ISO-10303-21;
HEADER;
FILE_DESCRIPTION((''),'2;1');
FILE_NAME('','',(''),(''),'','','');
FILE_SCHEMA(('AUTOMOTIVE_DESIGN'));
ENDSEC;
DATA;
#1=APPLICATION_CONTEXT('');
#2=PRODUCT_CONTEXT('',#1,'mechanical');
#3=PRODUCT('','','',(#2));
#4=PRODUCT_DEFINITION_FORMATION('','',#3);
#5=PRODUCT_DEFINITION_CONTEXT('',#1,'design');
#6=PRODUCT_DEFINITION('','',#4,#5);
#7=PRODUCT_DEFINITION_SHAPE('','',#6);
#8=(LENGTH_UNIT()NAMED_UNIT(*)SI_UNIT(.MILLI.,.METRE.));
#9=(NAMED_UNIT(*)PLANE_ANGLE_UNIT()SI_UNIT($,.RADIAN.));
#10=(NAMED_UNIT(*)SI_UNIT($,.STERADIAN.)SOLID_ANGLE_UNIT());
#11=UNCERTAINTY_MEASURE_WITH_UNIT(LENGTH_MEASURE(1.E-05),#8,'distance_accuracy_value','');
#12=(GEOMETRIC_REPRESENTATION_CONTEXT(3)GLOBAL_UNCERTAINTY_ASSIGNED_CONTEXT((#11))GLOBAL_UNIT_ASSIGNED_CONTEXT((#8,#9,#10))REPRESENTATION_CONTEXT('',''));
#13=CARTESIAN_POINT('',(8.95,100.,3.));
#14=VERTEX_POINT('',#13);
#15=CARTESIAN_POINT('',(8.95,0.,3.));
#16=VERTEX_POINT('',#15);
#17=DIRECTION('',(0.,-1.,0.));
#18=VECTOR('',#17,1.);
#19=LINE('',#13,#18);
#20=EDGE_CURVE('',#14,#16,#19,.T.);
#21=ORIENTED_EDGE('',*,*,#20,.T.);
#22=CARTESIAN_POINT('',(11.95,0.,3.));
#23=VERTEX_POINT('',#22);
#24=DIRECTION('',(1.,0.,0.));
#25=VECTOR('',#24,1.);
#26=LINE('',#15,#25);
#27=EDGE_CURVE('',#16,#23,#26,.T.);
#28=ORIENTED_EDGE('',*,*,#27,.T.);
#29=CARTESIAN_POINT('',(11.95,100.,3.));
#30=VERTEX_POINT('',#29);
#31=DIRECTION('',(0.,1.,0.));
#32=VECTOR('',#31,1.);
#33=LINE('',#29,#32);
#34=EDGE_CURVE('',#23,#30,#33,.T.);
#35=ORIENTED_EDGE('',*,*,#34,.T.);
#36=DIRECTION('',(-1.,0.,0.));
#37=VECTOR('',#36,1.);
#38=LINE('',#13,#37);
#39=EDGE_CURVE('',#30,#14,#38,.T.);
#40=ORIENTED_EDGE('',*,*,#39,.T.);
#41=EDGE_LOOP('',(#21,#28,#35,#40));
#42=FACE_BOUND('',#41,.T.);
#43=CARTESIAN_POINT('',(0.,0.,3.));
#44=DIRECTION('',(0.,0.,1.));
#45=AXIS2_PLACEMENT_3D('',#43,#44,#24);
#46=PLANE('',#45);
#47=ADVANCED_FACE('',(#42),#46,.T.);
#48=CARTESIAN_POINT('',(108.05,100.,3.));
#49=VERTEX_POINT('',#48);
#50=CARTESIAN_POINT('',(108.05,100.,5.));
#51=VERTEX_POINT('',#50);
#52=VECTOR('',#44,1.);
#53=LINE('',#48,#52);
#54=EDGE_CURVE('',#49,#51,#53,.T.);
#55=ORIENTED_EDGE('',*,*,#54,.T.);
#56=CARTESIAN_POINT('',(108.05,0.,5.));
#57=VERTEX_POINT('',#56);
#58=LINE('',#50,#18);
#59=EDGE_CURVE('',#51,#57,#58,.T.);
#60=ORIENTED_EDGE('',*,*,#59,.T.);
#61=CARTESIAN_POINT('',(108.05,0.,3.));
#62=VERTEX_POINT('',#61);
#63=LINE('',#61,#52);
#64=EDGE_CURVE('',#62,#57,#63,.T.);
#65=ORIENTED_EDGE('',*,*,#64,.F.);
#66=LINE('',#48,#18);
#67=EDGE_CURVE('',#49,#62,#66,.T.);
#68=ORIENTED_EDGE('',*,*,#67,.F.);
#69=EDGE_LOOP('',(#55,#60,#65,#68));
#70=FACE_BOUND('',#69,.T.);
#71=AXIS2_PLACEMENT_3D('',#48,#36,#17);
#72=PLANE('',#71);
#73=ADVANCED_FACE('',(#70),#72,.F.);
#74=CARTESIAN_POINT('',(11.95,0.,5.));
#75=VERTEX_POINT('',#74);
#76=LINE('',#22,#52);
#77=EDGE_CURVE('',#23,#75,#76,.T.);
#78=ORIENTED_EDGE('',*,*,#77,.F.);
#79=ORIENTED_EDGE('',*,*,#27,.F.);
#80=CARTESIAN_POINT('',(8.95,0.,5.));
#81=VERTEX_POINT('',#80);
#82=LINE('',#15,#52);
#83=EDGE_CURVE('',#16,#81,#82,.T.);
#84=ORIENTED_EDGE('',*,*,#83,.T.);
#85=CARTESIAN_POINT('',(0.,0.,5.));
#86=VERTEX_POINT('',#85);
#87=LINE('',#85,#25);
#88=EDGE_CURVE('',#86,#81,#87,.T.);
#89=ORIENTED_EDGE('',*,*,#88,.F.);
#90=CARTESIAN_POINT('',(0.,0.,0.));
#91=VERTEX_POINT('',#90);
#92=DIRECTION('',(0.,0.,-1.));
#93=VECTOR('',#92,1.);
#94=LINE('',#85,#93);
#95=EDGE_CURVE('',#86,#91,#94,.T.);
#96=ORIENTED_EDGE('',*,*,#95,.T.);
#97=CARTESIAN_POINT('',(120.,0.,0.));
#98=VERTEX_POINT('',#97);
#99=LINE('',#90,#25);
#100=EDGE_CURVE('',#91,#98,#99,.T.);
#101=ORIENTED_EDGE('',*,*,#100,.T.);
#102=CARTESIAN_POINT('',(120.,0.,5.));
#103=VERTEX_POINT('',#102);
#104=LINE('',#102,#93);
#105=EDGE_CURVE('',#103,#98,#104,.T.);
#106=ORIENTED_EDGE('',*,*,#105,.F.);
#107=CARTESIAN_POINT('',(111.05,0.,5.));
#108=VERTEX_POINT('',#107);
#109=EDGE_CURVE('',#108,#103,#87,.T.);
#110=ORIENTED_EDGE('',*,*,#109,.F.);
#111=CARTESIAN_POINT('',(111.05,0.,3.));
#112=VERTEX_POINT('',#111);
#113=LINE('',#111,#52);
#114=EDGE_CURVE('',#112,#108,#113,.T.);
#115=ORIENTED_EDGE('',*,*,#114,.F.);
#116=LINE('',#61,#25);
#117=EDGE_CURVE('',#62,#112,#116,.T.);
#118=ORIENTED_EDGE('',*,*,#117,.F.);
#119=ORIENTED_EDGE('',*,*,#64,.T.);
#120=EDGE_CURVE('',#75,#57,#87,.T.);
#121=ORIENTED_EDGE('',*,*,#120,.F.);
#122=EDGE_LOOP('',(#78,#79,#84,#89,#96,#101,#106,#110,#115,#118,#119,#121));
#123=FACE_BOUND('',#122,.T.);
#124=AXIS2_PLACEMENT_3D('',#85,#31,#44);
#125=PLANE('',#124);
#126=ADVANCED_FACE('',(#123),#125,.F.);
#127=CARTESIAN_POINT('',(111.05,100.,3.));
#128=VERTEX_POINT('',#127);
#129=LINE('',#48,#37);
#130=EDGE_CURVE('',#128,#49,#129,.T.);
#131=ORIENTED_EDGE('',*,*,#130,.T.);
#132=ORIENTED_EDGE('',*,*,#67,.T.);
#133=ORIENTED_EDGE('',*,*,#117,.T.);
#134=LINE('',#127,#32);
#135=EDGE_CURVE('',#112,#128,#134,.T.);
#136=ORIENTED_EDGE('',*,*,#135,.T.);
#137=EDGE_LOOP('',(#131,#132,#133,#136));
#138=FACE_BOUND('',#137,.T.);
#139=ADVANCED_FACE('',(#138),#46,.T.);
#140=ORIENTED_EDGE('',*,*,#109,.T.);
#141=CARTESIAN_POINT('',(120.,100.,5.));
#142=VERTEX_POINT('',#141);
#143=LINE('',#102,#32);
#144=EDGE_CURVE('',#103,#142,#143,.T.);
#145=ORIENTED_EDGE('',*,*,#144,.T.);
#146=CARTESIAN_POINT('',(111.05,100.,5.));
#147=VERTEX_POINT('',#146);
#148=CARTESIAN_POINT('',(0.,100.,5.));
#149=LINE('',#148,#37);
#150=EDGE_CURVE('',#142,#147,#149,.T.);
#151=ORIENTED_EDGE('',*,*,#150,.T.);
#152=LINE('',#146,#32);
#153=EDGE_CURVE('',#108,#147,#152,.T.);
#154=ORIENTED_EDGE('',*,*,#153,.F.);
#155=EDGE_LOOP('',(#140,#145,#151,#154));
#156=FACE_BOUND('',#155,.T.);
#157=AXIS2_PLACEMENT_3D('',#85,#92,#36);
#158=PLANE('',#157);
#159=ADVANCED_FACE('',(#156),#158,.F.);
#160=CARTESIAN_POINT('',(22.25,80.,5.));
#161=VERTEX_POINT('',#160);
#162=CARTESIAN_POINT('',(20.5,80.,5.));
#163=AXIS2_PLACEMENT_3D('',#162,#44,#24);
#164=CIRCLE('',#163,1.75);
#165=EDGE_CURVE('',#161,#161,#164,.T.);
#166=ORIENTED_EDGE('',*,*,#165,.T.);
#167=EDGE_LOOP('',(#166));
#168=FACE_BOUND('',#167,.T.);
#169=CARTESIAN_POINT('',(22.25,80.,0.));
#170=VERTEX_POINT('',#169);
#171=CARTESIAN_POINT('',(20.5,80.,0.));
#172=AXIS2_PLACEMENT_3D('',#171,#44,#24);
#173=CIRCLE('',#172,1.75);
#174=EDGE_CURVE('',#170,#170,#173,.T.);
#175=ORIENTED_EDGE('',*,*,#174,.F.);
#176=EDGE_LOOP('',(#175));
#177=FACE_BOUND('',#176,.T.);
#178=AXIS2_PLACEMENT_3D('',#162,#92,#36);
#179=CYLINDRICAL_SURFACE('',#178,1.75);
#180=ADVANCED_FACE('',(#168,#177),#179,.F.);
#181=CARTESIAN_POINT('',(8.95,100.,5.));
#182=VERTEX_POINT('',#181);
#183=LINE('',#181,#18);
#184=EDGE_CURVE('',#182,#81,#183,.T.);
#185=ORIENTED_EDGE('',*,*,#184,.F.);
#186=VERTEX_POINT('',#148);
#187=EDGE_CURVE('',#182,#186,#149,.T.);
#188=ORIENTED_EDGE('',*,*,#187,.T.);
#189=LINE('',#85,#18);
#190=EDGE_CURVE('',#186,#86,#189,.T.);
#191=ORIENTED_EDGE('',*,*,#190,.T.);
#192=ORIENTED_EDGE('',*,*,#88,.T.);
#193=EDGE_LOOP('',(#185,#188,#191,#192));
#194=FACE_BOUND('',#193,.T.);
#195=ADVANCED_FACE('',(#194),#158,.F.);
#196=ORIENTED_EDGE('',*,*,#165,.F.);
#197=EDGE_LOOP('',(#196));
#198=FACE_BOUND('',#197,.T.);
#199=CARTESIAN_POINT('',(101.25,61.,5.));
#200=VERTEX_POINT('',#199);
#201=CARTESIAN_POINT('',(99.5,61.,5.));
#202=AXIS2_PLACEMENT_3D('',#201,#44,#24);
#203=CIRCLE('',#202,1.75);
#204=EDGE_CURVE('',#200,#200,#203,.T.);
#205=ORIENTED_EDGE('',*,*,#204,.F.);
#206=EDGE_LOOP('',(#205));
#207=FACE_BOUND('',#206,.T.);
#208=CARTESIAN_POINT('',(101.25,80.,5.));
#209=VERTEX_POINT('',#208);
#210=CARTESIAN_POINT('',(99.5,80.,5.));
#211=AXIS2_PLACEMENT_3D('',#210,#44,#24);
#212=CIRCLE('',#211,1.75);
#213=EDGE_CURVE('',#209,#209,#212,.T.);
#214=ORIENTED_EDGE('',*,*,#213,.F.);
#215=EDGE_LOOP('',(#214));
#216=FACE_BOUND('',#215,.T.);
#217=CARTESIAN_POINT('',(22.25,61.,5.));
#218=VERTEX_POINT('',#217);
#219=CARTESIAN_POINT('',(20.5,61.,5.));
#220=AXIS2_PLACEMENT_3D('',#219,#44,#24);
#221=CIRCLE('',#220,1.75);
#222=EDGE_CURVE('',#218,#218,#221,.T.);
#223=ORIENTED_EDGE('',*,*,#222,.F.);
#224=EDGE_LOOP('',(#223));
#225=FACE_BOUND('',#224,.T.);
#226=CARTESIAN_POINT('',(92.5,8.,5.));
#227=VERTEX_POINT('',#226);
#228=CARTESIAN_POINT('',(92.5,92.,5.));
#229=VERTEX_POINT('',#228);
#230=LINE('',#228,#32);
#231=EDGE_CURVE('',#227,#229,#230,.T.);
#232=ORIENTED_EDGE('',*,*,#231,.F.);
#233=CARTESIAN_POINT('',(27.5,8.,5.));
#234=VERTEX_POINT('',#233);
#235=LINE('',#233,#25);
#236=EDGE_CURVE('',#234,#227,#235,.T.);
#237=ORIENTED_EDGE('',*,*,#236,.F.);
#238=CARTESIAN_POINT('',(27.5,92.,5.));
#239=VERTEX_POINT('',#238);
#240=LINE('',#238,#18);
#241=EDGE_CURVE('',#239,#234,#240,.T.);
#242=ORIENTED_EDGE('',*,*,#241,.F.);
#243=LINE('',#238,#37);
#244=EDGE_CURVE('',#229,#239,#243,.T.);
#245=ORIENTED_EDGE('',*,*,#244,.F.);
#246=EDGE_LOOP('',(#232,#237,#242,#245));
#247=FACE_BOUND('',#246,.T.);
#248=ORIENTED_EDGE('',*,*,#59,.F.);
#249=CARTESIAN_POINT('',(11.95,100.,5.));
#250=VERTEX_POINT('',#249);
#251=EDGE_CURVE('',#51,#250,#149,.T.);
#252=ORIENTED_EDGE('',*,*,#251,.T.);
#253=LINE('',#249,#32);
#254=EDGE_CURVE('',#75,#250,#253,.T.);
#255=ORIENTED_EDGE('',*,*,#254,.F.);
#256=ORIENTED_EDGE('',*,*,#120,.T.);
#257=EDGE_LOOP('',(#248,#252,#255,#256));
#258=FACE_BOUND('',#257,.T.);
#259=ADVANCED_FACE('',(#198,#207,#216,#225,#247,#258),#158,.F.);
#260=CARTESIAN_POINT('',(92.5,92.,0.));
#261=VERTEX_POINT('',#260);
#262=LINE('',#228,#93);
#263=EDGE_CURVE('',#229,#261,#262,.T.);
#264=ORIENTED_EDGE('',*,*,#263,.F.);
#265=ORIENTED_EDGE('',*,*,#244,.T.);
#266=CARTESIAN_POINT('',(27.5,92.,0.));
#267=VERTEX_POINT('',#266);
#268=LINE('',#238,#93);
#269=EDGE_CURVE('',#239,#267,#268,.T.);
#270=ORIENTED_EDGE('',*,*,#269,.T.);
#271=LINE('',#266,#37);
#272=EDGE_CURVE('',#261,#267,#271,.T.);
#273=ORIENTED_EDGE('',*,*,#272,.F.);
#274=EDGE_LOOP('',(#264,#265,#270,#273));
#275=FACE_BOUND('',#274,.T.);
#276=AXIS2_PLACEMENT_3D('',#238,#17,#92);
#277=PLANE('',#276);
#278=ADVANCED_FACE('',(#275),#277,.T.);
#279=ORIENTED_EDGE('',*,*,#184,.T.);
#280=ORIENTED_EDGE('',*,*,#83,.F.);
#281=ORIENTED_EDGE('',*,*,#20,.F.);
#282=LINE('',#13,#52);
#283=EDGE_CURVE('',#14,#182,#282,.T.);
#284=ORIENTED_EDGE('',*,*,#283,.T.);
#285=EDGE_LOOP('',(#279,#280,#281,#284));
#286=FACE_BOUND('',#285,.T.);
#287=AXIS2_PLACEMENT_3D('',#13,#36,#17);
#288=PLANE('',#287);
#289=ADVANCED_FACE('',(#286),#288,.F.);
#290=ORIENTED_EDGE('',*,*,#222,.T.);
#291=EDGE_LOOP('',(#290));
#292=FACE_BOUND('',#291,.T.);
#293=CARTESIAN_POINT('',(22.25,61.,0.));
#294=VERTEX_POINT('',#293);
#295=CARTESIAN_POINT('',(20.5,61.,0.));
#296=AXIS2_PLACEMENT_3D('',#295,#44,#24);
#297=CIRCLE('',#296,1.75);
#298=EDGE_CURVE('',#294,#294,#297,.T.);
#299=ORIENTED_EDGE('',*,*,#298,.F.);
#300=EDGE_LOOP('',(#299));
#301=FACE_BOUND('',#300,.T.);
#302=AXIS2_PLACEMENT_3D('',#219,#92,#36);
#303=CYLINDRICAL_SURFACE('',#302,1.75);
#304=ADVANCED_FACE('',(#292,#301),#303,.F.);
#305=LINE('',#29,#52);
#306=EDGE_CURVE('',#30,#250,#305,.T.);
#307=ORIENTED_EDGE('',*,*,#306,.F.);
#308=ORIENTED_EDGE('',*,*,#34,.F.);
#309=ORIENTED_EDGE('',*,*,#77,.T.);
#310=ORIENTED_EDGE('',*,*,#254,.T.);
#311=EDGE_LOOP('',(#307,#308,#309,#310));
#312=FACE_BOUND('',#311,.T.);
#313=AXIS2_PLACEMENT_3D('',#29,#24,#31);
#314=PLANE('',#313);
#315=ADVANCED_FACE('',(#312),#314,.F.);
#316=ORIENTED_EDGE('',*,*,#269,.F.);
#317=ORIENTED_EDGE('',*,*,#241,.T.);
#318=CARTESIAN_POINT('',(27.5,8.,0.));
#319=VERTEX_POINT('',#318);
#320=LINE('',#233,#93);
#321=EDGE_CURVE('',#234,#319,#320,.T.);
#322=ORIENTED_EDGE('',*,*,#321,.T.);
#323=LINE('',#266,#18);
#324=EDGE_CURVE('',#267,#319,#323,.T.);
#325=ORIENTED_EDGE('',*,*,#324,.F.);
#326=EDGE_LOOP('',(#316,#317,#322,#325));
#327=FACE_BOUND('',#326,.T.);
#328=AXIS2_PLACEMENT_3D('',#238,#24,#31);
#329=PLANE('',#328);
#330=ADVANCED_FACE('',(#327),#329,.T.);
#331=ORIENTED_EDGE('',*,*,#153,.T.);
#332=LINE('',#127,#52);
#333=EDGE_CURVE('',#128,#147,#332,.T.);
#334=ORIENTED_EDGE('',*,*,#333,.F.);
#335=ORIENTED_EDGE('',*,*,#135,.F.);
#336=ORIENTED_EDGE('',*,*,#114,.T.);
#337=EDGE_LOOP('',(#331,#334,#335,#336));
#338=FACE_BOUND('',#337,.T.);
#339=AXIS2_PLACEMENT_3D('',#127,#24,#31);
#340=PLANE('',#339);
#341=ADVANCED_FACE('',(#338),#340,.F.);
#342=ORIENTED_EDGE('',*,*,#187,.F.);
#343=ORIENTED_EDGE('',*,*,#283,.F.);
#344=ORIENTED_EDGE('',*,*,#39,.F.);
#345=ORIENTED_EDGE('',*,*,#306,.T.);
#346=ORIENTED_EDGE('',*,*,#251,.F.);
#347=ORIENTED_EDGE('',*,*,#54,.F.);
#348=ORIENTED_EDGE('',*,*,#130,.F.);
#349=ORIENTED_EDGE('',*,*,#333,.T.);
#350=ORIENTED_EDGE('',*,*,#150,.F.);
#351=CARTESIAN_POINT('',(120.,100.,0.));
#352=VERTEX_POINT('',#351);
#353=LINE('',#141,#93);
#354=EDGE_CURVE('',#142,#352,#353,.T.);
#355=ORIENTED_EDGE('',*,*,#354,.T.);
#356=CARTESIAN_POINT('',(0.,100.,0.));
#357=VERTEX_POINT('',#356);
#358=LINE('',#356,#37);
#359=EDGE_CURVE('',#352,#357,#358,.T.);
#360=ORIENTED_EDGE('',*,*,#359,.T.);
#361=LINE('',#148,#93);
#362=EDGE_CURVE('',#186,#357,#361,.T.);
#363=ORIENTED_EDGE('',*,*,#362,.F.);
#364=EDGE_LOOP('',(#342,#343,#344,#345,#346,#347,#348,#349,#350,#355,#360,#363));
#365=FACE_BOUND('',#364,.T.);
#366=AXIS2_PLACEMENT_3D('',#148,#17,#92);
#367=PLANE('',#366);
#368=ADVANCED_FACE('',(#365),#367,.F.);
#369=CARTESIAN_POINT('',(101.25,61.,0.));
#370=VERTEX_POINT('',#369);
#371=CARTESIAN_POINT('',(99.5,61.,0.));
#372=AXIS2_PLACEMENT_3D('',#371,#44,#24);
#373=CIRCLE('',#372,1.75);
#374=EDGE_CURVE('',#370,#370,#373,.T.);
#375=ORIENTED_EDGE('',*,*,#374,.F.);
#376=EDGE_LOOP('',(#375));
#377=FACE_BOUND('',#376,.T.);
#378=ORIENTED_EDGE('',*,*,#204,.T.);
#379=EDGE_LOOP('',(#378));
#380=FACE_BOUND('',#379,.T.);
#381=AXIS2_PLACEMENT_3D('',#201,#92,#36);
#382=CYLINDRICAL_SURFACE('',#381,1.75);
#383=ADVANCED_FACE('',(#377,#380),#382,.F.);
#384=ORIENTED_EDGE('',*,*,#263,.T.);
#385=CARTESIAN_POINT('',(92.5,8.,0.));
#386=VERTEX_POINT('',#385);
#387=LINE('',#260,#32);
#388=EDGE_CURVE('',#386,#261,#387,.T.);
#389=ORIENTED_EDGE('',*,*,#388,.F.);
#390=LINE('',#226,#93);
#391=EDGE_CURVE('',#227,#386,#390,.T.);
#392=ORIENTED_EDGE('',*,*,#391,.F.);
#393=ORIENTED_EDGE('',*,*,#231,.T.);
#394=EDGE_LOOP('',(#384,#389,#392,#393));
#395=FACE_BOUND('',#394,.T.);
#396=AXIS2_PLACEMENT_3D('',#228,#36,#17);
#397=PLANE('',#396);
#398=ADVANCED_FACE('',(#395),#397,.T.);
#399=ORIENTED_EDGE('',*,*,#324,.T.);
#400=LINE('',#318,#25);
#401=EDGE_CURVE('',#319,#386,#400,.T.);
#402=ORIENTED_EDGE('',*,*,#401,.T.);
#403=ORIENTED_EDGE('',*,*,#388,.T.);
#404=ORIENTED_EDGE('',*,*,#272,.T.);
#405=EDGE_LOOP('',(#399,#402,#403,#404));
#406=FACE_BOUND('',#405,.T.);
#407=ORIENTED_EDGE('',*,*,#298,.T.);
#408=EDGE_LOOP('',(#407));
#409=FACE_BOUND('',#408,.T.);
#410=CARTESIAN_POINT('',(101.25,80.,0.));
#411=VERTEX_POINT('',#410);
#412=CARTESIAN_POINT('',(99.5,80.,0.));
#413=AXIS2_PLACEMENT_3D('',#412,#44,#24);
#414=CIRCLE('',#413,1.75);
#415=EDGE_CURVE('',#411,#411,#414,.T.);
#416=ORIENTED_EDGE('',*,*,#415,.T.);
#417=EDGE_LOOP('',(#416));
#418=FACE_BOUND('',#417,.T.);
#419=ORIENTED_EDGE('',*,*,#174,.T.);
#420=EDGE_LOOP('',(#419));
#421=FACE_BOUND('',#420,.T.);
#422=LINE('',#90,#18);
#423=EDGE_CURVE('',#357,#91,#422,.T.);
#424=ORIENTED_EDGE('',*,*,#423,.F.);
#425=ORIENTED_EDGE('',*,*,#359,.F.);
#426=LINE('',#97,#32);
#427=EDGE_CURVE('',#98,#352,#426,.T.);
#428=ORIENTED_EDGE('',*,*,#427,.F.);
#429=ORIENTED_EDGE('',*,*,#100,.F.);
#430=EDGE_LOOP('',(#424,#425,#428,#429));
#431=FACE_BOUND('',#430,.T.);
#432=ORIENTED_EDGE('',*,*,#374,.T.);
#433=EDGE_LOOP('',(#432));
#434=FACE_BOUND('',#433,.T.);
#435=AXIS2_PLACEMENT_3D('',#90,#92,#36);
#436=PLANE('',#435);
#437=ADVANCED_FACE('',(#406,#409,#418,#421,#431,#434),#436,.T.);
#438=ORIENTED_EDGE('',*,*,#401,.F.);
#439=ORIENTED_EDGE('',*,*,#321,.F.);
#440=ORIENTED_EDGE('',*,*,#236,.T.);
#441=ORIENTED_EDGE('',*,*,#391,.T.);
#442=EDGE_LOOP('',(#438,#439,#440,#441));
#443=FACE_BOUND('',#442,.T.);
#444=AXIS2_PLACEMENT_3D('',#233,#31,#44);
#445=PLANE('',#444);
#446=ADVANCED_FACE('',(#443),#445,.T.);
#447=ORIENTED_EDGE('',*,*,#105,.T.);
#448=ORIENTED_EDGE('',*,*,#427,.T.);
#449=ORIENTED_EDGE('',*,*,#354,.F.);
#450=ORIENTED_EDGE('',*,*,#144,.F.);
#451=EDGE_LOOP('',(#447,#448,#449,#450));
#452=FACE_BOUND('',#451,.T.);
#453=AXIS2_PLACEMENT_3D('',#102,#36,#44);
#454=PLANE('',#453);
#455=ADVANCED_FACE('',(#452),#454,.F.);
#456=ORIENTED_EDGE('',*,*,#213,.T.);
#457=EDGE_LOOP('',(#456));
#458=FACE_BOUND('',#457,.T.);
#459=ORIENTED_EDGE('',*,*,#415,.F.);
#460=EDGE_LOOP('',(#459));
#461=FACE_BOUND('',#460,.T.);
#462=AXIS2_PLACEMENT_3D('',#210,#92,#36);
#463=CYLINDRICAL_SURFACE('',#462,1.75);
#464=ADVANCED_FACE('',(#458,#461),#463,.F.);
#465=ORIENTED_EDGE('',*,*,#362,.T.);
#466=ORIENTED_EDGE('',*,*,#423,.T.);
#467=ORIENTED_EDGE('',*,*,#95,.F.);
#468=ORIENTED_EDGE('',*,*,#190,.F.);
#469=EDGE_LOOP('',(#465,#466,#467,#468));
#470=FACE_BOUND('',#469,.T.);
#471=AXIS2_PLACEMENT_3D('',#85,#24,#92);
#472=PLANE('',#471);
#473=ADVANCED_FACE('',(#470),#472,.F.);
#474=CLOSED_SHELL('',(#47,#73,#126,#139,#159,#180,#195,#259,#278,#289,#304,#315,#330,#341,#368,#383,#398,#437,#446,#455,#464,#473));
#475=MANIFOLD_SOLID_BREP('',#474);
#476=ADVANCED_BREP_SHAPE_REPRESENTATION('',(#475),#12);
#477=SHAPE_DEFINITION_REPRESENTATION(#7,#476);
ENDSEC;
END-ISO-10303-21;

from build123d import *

# Parameters (mm, degrees)
SKETCH_1_W          = 120
SKETCH_1_H          = 100
SKETCH_1_R          = 1.75
SKETCH_1_W_2        = 65
SKETCH_1_H_2        = 84
EXTRUDE_1_DEPTH     = 5
SKETCH_2_W          = 3
SKETCH_2_H          = 100
CUT_EXTRUDE_1_DEPTH = 2


with BuildPart() as part:
    # 草图1 → 凸台-拉伸1 (new body)
    with BuildSketch(Plane.XY):
        with Locations((60, 50)):
            Rectangle(SKETCH_1_W, SKETCH_1_H)
        with Locations((20.5, 80)):
            Circle(SKETCH_1_R, mode=Mode.SUBTRACT)
        with Locations((20.5, 61)):
            Circle(SKETCH_1_R, mode=Mode.SUBTRACT)
        with Locations((99.5, 80)):
            Circle(SKETCH_1_R, mode=Mode.SUBTRACT)
        with Locations((99.5, 61)):
            Circle(SKETCH_1_R, mode=Mode.SUBTRACT)
        with Locations((60, 50)):
            Rectangle(SKETCH_1_W_2, SKETCH_1_H_2, mode=Mode.SUBTRACT)
    extrude(amount=EXTRUDE_1_DEPTH)

    # 草图2 → 切除-拉伸1 (cut)
    with BuildSketch(Plane.XY.offset(5)):
        with Locations((10.45, 50)):
            Rectangle(SKETCH_2_W, SKETCH_2_H)
        with Locations((109.55, 50)):
            Rectangle(SKETCH_2_W, SKETCH_2_H)
    extrude(amount=-CUT_EXTRUDE_1_DEPTH, mode=Mode.SUBTRACT)


solid = part.part
